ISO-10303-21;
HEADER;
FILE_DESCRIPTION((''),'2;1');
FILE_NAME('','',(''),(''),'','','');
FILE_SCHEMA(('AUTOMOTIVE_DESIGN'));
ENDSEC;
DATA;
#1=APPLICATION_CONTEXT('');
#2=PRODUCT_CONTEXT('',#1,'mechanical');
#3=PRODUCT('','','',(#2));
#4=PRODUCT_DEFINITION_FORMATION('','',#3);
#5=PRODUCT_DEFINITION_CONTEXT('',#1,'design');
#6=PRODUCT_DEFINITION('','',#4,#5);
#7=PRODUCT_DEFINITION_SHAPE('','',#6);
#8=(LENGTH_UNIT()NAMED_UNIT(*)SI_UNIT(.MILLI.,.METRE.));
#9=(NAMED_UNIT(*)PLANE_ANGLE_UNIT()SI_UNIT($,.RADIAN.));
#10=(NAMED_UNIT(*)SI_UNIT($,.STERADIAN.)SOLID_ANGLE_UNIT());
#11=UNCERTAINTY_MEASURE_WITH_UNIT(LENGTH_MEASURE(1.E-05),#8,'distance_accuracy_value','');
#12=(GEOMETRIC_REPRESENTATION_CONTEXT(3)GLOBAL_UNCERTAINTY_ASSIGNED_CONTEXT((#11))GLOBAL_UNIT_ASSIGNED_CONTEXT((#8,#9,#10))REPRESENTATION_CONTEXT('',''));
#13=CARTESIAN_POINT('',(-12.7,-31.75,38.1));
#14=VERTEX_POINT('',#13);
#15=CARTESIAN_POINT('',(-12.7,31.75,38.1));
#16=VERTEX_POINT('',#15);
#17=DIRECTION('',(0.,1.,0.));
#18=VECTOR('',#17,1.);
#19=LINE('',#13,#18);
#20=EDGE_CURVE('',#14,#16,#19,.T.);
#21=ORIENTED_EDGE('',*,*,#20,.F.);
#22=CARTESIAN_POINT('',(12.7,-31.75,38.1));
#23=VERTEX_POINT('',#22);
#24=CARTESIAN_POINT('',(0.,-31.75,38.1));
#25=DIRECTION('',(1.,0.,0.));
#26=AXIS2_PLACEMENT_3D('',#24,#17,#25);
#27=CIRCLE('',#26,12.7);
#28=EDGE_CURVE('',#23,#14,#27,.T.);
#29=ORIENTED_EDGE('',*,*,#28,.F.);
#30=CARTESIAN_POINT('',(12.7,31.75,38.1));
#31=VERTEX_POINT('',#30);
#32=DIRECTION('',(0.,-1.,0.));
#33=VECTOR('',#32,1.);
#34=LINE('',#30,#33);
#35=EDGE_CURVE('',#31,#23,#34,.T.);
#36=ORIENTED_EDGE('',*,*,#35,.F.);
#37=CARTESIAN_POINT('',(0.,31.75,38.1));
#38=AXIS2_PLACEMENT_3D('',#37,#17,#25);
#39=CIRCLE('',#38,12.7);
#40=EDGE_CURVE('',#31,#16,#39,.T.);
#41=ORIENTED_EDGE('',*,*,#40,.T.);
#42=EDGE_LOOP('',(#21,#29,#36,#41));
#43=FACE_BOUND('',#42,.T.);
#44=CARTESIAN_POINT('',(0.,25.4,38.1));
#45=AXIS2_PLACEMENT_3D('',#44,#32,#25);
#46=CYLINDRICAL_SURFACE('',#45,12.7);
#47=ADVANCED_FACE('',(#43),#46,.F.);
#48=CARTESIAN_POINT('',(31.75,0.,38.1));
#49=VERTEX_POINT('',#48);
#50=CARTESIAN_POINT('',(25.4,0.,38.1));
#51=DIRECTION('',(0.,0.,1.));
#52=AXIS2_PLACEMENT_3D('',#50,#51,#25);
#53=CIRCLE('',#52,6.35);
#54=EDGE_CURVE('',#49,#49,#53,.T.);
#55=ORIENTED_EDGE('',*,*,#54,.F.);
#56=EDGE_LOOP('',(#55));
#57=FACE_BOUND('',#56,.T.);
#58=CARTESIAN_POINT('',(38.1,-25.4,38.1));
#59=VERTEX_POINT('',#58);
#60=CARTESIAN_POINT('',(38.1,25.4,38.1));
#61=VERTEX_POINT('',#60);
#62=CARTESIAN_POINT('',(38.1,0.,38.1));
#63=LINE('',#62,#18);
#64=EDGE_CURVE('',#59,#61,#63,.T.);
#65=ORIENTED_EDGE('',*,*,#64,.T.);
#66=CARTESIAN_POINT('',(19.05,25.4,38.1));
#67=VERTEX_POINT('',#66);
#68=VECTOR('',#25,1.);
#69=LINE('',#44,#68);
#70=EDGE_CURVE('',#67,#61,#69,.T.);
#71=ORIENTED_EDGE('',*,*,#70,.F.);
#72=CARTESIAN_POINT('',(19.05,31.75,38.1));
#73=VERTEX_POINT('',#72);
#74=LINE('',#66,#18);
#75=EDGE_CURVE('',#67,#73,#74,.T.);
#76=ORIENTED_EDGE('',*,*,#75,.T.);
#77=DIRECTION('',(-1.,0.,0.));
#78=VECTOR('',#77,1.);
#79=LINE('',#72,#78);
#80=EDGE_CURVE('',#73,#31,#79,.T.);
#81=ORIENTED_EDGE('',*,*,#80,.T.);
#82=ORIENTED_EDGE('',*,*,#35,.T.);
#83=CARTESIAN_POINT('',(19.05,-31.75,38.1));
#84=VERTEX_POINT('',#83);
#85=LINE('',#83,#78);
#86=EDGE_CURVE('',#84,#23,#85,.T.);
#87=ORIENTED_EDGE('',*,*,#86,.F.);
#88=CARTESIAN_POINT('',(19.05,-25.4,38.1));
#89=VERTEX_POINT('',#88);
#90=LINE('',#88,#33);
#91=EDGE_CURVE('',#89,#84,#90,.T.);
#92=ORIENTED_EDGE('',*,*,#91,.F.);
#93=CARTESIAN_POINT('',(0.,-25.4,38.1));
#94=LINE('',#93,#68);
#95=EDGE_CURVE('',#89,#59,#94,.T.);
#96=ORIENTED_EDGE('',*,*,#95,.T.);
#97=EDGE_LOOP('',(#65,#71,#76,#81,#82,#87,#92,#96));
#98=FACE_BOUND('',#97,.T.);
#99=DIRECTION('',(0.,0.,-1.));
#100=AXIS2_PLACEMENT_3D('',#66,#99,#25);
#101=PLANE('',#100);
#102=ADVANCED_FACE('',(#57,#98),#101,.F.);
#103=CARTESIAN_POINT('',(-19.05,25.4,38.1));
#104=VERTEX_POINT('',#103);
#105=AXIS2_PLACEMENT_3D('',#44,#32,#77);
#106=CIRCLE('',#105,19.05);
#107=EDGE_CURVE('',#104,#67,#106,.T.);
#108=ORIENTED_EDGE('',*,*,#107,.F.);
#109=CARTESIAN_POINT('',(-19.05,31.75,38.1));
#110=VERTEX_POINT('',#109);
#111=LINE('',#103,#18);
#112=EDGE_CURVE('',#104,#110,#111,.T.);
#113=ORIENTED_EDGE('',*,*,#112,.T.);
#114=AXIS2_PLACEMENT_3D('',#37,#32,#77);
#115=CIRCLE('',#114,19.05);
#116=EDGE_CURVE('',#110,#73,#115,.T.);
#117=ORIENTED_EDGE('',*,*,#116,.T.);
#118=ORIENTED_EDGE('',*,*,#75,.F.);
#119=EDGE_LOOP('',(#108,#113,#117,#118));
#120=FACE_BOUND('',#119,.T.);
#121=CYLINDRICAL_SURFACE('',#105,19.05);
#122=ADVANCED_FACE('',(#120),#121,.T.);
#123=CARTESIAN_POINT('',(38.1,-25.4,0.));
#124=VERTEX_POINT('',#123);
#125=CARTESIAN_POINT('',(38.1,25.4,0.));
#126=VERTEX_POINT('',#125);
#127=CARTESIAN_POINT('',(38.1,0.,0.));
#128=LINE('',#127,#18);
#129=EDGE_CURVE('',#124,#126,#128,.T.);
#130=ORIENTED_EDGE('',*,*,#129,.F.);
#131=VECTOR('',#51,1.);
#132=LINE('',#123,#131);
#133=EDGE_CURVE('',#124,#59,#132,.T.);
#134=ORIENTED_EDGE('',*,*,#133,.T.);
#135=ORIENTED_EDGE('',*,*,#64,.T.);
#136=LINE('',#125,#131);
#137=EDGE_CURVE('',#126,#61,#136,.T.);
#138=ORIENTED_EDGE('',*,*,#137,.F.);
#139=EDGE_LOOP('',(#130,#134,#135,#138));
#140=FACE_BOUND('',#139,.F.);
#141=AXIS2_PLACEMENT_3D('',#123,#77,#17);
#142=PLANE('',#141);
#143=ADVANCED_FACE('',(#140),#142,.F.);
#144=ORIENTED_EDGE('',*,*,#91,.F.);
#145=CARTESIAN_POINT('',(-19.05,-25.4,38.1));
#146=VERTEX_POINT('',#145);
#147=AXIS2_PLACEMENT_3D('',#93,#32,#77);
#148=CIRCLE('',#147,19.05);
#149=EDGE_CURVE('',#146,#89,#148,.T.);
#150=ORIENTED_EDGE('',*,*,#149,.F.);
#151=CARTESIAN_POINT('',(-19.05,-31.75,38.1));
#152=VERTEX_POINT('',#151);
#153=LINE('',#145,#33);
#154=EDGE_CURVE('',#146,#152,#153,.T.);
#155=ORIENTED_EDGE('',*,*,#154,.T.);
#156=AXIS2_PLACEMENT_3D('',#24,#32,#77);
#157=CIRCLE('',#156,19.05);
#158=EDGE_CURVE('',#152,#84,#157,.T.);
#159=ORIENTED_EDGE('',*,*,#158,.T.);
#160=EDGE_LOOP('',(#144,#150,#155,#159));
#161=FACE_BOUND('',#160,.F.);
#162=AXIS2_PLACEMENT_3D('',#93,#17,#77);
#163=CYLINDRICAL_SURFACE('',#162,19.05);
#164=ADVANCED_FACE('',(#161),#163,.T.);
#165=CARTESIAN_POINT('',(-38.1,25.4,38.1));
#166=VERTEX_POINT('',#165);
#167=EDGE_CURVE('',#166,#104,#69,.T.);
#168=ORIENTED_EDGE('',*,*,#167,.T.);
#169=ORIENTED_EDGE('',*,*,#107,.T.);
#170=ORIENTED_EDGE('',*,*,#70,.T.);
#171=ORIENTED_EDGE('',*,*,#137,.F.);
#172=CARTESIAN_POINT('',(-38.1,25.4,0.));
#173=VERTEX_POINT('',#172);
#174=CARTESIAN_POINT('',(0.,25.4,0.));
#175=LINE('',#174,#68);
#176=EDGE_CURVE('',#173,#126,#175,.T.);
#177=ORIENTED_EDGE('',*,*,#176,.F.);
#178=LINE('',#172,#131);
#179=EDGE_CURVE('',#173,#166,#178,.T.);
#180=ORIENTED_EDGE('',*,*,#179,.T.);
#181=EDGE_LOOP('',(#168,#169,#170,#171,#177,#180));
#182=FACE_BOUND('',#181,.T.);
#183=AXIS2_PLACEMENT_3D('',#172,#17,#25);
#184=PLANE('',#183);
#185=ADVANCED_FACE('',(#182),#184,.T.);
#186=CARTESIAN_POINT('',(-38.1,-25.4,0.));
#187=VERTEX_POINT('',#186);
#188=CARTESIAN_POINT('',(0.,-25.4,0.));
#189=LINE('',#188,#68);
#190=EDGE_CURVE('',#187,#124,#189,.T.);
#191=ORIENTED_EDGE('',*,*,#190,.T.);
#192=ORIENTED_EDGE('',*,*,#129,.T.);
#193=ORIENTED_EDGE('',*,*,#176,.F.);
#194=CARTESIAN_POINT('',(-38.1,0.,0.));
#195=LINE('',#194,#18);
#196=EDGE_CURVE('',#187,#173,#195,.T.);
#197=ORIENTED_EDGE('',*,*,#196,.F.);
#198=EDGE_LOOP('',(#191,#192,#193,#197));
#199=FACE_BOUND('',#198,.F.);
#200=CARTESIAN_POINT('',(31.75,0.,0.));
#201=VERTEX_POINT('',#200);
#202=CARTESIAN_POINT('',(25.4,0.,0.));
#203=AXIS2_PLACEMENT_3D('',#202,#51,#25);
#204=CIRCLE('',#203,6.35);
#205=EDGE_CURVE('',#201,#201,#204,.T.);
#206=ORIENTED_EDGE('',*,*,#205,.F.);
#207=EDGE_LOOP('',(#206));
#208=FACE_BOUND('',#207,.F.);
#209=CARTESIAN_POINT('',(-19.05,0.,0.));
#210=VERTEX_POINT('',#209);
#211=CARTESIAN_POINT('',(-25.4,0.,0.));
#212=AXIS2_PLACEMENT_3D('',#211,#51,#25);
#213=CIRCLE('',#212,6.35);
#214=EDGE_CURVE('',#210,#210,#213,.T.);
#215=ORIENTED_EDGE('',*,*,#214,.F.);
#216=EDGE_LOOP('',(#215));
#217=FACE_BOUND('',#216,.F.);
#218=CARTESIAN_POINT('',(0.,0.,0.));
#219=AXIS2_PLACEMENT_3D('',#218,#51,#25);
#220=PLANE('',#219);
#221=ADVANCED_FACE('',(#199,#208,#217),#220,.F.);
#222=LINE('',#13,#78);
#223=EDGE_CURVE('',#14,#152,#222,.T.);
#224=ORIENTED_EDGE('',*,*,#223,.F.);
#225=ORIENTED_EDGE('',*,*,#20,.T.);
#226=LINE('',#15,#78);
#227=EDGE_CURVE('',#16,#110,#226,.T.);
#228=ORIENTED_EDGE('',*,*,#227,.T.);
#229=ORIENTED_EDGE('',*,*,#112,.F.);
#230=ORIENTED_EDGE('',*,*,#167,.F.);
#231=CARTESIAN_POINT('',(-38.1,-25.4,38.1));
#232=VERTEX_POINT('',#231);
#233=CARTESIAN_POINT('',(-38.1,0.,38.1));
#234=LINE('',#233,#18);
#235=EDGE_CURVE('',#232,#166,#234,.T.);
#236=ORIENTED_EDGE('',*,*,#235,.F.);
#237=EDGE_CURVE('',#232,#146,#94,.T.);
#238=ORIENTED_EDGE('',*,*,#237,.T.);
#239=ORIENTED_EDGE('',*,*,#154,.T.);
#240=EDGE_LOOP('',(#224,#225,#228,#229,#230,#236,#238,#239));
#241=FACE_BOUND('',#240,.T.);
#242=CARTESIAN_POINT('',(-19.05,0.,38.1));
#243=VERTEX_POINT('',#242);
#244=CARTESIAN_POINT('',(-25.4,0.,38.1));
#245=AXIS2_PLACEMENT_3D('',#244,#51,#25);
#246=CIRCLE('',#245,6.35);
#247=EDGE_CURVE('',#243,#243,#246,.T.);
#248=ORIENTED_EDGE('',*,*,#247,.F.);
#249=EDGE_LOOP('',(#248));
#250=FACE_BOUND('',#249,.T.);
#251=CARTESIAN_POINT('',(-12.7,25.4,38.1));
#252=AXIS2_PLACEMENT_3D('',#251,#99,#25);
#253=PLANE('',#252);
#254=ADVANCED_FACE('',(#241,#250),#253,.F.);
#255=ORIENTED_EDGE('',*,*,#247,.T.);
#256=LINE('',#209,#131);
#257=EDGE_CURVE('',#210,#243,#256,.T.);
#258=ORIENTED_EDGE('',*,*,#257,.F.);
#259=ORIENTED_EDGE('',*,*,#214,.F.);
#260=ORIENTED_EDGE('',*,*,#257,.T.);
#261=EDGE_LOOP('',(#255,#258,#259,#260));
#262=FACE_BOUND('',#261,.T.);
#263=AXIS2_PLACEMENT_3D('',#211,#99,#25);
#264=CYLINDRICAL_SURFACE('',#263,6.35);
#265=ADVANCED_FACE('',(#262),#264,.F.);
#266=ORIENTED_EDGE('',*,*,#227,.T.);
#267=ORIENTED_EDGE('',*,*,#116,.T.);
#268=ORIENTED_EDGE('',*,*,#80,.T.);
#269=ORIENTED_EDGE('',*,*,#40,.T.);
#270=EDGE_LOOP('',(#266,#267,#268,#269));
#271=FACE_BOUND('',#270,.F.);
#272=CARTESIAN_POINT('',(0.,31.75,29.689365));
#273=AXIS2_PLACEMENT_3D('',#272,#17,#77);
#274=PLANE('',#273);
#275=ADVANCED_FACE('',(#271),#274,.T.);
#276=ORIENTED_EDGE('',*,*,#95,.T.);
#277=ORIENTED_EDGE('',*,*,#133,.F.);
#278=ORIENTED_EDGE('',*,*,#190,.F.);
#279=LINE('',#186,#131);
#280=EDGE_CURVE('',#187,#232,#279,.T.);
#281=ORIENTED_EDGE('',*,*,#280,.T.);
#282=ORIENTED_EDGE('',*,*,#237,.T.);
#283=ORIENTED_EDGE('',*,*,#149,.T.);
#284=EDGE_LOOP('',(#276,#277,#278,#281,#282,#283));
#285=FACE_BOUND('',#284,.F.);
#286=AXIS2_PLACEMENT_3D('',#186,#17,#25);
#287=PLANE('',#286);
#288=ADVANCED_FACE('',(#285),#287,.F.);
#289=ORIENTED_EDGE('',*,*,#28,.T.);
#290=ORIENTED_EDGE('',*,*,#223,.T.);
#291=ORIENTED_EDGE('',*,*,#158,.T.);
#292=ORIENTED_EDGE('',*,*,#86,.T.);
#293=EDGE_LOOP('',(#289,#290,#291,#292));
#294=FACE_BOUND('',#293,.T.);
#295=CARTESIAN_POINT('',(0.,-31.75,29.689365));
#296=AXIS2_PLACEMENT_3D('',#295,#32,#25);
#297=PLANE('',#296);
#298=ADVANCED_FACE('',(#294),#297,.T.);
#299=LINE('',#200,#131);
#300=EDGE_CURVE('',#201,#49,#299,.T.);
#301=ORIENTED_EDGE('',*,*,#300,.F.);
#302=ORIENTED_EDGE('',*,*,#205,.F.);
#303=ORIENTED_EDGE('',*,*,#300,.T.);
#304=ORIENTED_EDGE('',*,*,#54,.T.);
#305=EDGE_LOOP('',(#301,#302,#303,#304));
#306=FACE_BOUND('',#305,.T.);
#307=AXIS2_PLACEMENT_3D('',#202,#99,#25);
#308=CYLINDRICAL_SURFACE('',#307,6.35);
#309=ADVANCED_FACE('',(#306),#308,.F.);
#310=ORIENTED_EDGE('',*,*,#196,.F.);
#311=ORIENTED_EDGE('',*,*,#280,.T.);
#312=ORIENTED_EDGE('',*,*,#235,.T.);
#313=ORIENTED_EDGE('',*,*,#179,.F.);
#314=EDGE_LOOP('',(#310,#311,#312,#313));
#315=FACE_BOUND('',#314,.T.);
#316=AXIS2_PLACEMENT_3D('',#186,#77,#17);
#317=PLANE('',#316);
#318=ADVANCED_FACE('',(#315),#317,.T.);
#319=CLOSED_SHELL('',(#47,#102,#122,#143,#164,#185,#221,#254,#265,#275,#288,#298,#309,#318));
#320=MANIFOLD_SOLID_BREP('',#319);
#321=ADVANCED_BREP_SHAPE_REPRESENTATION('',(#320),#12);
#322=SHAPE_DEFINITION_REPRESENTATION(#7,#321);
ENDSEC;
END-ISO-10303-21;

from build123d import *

# Parameters (mm, degrees)
F0_W     = 76.2
F0_H     = 50.8
F0_R     = 6.35
F1_DEPTH = 38.1
F3_DEPTH = 50.801
F4_DEPTH = 6.35


with BuildPart() as f1:
    # F0 (on Top) → F1 (new body)
    with BuildSketch(Plane.XY):
        Rectangle(F0_W, F0_H)
        with Locations((-25.4, 0)):
            Circle(F0_R, mode=Mode.SUBTRACT)
        with Locations((25.4, 0)):
            Circle(F0_R, mode=Mode.SUBTRACT)
    extrude(amount=F1_DEPTH)

    # F2 (on face) → F3 (cut, through all)
    with BuildSketch(Plane.XZ.offset(25.4)):
        with BuildLine():
            ThreePointArc((-12.7, 38.1), (0, 25.4), (12.7, 38.1))
            Line((12.7, 38.1), (-12.7, 38.1))
        make_face()
    extrude(amount=-F3_DEPTH, mode=Mode.SUBTRACT)

    # F2 (on face) → F4 (join)
    with BuildSketch(Plane.XZ.offset(25.4)):
        with BuildLine():
            ThreePointArc((-19.05, 38.1), (0, 19.05), (19.05, 38.1))
            Line((19.05, 38.1), (12.7, 38.1))
            ThreePointArc((12.7, 38.1), (0, 25.4), (-12.7, 38.1))
            Line((-12.7, 38.1), (-19.05, 38.1))
        make_face()
    extrude(amount=F4_DEPTH)

    # F5: F1 across plane


with BuildPart() as f1_1:
    add(f1.part)
    add(f1.part.mirror(Plane.XZ))


solid = f1_1.part
